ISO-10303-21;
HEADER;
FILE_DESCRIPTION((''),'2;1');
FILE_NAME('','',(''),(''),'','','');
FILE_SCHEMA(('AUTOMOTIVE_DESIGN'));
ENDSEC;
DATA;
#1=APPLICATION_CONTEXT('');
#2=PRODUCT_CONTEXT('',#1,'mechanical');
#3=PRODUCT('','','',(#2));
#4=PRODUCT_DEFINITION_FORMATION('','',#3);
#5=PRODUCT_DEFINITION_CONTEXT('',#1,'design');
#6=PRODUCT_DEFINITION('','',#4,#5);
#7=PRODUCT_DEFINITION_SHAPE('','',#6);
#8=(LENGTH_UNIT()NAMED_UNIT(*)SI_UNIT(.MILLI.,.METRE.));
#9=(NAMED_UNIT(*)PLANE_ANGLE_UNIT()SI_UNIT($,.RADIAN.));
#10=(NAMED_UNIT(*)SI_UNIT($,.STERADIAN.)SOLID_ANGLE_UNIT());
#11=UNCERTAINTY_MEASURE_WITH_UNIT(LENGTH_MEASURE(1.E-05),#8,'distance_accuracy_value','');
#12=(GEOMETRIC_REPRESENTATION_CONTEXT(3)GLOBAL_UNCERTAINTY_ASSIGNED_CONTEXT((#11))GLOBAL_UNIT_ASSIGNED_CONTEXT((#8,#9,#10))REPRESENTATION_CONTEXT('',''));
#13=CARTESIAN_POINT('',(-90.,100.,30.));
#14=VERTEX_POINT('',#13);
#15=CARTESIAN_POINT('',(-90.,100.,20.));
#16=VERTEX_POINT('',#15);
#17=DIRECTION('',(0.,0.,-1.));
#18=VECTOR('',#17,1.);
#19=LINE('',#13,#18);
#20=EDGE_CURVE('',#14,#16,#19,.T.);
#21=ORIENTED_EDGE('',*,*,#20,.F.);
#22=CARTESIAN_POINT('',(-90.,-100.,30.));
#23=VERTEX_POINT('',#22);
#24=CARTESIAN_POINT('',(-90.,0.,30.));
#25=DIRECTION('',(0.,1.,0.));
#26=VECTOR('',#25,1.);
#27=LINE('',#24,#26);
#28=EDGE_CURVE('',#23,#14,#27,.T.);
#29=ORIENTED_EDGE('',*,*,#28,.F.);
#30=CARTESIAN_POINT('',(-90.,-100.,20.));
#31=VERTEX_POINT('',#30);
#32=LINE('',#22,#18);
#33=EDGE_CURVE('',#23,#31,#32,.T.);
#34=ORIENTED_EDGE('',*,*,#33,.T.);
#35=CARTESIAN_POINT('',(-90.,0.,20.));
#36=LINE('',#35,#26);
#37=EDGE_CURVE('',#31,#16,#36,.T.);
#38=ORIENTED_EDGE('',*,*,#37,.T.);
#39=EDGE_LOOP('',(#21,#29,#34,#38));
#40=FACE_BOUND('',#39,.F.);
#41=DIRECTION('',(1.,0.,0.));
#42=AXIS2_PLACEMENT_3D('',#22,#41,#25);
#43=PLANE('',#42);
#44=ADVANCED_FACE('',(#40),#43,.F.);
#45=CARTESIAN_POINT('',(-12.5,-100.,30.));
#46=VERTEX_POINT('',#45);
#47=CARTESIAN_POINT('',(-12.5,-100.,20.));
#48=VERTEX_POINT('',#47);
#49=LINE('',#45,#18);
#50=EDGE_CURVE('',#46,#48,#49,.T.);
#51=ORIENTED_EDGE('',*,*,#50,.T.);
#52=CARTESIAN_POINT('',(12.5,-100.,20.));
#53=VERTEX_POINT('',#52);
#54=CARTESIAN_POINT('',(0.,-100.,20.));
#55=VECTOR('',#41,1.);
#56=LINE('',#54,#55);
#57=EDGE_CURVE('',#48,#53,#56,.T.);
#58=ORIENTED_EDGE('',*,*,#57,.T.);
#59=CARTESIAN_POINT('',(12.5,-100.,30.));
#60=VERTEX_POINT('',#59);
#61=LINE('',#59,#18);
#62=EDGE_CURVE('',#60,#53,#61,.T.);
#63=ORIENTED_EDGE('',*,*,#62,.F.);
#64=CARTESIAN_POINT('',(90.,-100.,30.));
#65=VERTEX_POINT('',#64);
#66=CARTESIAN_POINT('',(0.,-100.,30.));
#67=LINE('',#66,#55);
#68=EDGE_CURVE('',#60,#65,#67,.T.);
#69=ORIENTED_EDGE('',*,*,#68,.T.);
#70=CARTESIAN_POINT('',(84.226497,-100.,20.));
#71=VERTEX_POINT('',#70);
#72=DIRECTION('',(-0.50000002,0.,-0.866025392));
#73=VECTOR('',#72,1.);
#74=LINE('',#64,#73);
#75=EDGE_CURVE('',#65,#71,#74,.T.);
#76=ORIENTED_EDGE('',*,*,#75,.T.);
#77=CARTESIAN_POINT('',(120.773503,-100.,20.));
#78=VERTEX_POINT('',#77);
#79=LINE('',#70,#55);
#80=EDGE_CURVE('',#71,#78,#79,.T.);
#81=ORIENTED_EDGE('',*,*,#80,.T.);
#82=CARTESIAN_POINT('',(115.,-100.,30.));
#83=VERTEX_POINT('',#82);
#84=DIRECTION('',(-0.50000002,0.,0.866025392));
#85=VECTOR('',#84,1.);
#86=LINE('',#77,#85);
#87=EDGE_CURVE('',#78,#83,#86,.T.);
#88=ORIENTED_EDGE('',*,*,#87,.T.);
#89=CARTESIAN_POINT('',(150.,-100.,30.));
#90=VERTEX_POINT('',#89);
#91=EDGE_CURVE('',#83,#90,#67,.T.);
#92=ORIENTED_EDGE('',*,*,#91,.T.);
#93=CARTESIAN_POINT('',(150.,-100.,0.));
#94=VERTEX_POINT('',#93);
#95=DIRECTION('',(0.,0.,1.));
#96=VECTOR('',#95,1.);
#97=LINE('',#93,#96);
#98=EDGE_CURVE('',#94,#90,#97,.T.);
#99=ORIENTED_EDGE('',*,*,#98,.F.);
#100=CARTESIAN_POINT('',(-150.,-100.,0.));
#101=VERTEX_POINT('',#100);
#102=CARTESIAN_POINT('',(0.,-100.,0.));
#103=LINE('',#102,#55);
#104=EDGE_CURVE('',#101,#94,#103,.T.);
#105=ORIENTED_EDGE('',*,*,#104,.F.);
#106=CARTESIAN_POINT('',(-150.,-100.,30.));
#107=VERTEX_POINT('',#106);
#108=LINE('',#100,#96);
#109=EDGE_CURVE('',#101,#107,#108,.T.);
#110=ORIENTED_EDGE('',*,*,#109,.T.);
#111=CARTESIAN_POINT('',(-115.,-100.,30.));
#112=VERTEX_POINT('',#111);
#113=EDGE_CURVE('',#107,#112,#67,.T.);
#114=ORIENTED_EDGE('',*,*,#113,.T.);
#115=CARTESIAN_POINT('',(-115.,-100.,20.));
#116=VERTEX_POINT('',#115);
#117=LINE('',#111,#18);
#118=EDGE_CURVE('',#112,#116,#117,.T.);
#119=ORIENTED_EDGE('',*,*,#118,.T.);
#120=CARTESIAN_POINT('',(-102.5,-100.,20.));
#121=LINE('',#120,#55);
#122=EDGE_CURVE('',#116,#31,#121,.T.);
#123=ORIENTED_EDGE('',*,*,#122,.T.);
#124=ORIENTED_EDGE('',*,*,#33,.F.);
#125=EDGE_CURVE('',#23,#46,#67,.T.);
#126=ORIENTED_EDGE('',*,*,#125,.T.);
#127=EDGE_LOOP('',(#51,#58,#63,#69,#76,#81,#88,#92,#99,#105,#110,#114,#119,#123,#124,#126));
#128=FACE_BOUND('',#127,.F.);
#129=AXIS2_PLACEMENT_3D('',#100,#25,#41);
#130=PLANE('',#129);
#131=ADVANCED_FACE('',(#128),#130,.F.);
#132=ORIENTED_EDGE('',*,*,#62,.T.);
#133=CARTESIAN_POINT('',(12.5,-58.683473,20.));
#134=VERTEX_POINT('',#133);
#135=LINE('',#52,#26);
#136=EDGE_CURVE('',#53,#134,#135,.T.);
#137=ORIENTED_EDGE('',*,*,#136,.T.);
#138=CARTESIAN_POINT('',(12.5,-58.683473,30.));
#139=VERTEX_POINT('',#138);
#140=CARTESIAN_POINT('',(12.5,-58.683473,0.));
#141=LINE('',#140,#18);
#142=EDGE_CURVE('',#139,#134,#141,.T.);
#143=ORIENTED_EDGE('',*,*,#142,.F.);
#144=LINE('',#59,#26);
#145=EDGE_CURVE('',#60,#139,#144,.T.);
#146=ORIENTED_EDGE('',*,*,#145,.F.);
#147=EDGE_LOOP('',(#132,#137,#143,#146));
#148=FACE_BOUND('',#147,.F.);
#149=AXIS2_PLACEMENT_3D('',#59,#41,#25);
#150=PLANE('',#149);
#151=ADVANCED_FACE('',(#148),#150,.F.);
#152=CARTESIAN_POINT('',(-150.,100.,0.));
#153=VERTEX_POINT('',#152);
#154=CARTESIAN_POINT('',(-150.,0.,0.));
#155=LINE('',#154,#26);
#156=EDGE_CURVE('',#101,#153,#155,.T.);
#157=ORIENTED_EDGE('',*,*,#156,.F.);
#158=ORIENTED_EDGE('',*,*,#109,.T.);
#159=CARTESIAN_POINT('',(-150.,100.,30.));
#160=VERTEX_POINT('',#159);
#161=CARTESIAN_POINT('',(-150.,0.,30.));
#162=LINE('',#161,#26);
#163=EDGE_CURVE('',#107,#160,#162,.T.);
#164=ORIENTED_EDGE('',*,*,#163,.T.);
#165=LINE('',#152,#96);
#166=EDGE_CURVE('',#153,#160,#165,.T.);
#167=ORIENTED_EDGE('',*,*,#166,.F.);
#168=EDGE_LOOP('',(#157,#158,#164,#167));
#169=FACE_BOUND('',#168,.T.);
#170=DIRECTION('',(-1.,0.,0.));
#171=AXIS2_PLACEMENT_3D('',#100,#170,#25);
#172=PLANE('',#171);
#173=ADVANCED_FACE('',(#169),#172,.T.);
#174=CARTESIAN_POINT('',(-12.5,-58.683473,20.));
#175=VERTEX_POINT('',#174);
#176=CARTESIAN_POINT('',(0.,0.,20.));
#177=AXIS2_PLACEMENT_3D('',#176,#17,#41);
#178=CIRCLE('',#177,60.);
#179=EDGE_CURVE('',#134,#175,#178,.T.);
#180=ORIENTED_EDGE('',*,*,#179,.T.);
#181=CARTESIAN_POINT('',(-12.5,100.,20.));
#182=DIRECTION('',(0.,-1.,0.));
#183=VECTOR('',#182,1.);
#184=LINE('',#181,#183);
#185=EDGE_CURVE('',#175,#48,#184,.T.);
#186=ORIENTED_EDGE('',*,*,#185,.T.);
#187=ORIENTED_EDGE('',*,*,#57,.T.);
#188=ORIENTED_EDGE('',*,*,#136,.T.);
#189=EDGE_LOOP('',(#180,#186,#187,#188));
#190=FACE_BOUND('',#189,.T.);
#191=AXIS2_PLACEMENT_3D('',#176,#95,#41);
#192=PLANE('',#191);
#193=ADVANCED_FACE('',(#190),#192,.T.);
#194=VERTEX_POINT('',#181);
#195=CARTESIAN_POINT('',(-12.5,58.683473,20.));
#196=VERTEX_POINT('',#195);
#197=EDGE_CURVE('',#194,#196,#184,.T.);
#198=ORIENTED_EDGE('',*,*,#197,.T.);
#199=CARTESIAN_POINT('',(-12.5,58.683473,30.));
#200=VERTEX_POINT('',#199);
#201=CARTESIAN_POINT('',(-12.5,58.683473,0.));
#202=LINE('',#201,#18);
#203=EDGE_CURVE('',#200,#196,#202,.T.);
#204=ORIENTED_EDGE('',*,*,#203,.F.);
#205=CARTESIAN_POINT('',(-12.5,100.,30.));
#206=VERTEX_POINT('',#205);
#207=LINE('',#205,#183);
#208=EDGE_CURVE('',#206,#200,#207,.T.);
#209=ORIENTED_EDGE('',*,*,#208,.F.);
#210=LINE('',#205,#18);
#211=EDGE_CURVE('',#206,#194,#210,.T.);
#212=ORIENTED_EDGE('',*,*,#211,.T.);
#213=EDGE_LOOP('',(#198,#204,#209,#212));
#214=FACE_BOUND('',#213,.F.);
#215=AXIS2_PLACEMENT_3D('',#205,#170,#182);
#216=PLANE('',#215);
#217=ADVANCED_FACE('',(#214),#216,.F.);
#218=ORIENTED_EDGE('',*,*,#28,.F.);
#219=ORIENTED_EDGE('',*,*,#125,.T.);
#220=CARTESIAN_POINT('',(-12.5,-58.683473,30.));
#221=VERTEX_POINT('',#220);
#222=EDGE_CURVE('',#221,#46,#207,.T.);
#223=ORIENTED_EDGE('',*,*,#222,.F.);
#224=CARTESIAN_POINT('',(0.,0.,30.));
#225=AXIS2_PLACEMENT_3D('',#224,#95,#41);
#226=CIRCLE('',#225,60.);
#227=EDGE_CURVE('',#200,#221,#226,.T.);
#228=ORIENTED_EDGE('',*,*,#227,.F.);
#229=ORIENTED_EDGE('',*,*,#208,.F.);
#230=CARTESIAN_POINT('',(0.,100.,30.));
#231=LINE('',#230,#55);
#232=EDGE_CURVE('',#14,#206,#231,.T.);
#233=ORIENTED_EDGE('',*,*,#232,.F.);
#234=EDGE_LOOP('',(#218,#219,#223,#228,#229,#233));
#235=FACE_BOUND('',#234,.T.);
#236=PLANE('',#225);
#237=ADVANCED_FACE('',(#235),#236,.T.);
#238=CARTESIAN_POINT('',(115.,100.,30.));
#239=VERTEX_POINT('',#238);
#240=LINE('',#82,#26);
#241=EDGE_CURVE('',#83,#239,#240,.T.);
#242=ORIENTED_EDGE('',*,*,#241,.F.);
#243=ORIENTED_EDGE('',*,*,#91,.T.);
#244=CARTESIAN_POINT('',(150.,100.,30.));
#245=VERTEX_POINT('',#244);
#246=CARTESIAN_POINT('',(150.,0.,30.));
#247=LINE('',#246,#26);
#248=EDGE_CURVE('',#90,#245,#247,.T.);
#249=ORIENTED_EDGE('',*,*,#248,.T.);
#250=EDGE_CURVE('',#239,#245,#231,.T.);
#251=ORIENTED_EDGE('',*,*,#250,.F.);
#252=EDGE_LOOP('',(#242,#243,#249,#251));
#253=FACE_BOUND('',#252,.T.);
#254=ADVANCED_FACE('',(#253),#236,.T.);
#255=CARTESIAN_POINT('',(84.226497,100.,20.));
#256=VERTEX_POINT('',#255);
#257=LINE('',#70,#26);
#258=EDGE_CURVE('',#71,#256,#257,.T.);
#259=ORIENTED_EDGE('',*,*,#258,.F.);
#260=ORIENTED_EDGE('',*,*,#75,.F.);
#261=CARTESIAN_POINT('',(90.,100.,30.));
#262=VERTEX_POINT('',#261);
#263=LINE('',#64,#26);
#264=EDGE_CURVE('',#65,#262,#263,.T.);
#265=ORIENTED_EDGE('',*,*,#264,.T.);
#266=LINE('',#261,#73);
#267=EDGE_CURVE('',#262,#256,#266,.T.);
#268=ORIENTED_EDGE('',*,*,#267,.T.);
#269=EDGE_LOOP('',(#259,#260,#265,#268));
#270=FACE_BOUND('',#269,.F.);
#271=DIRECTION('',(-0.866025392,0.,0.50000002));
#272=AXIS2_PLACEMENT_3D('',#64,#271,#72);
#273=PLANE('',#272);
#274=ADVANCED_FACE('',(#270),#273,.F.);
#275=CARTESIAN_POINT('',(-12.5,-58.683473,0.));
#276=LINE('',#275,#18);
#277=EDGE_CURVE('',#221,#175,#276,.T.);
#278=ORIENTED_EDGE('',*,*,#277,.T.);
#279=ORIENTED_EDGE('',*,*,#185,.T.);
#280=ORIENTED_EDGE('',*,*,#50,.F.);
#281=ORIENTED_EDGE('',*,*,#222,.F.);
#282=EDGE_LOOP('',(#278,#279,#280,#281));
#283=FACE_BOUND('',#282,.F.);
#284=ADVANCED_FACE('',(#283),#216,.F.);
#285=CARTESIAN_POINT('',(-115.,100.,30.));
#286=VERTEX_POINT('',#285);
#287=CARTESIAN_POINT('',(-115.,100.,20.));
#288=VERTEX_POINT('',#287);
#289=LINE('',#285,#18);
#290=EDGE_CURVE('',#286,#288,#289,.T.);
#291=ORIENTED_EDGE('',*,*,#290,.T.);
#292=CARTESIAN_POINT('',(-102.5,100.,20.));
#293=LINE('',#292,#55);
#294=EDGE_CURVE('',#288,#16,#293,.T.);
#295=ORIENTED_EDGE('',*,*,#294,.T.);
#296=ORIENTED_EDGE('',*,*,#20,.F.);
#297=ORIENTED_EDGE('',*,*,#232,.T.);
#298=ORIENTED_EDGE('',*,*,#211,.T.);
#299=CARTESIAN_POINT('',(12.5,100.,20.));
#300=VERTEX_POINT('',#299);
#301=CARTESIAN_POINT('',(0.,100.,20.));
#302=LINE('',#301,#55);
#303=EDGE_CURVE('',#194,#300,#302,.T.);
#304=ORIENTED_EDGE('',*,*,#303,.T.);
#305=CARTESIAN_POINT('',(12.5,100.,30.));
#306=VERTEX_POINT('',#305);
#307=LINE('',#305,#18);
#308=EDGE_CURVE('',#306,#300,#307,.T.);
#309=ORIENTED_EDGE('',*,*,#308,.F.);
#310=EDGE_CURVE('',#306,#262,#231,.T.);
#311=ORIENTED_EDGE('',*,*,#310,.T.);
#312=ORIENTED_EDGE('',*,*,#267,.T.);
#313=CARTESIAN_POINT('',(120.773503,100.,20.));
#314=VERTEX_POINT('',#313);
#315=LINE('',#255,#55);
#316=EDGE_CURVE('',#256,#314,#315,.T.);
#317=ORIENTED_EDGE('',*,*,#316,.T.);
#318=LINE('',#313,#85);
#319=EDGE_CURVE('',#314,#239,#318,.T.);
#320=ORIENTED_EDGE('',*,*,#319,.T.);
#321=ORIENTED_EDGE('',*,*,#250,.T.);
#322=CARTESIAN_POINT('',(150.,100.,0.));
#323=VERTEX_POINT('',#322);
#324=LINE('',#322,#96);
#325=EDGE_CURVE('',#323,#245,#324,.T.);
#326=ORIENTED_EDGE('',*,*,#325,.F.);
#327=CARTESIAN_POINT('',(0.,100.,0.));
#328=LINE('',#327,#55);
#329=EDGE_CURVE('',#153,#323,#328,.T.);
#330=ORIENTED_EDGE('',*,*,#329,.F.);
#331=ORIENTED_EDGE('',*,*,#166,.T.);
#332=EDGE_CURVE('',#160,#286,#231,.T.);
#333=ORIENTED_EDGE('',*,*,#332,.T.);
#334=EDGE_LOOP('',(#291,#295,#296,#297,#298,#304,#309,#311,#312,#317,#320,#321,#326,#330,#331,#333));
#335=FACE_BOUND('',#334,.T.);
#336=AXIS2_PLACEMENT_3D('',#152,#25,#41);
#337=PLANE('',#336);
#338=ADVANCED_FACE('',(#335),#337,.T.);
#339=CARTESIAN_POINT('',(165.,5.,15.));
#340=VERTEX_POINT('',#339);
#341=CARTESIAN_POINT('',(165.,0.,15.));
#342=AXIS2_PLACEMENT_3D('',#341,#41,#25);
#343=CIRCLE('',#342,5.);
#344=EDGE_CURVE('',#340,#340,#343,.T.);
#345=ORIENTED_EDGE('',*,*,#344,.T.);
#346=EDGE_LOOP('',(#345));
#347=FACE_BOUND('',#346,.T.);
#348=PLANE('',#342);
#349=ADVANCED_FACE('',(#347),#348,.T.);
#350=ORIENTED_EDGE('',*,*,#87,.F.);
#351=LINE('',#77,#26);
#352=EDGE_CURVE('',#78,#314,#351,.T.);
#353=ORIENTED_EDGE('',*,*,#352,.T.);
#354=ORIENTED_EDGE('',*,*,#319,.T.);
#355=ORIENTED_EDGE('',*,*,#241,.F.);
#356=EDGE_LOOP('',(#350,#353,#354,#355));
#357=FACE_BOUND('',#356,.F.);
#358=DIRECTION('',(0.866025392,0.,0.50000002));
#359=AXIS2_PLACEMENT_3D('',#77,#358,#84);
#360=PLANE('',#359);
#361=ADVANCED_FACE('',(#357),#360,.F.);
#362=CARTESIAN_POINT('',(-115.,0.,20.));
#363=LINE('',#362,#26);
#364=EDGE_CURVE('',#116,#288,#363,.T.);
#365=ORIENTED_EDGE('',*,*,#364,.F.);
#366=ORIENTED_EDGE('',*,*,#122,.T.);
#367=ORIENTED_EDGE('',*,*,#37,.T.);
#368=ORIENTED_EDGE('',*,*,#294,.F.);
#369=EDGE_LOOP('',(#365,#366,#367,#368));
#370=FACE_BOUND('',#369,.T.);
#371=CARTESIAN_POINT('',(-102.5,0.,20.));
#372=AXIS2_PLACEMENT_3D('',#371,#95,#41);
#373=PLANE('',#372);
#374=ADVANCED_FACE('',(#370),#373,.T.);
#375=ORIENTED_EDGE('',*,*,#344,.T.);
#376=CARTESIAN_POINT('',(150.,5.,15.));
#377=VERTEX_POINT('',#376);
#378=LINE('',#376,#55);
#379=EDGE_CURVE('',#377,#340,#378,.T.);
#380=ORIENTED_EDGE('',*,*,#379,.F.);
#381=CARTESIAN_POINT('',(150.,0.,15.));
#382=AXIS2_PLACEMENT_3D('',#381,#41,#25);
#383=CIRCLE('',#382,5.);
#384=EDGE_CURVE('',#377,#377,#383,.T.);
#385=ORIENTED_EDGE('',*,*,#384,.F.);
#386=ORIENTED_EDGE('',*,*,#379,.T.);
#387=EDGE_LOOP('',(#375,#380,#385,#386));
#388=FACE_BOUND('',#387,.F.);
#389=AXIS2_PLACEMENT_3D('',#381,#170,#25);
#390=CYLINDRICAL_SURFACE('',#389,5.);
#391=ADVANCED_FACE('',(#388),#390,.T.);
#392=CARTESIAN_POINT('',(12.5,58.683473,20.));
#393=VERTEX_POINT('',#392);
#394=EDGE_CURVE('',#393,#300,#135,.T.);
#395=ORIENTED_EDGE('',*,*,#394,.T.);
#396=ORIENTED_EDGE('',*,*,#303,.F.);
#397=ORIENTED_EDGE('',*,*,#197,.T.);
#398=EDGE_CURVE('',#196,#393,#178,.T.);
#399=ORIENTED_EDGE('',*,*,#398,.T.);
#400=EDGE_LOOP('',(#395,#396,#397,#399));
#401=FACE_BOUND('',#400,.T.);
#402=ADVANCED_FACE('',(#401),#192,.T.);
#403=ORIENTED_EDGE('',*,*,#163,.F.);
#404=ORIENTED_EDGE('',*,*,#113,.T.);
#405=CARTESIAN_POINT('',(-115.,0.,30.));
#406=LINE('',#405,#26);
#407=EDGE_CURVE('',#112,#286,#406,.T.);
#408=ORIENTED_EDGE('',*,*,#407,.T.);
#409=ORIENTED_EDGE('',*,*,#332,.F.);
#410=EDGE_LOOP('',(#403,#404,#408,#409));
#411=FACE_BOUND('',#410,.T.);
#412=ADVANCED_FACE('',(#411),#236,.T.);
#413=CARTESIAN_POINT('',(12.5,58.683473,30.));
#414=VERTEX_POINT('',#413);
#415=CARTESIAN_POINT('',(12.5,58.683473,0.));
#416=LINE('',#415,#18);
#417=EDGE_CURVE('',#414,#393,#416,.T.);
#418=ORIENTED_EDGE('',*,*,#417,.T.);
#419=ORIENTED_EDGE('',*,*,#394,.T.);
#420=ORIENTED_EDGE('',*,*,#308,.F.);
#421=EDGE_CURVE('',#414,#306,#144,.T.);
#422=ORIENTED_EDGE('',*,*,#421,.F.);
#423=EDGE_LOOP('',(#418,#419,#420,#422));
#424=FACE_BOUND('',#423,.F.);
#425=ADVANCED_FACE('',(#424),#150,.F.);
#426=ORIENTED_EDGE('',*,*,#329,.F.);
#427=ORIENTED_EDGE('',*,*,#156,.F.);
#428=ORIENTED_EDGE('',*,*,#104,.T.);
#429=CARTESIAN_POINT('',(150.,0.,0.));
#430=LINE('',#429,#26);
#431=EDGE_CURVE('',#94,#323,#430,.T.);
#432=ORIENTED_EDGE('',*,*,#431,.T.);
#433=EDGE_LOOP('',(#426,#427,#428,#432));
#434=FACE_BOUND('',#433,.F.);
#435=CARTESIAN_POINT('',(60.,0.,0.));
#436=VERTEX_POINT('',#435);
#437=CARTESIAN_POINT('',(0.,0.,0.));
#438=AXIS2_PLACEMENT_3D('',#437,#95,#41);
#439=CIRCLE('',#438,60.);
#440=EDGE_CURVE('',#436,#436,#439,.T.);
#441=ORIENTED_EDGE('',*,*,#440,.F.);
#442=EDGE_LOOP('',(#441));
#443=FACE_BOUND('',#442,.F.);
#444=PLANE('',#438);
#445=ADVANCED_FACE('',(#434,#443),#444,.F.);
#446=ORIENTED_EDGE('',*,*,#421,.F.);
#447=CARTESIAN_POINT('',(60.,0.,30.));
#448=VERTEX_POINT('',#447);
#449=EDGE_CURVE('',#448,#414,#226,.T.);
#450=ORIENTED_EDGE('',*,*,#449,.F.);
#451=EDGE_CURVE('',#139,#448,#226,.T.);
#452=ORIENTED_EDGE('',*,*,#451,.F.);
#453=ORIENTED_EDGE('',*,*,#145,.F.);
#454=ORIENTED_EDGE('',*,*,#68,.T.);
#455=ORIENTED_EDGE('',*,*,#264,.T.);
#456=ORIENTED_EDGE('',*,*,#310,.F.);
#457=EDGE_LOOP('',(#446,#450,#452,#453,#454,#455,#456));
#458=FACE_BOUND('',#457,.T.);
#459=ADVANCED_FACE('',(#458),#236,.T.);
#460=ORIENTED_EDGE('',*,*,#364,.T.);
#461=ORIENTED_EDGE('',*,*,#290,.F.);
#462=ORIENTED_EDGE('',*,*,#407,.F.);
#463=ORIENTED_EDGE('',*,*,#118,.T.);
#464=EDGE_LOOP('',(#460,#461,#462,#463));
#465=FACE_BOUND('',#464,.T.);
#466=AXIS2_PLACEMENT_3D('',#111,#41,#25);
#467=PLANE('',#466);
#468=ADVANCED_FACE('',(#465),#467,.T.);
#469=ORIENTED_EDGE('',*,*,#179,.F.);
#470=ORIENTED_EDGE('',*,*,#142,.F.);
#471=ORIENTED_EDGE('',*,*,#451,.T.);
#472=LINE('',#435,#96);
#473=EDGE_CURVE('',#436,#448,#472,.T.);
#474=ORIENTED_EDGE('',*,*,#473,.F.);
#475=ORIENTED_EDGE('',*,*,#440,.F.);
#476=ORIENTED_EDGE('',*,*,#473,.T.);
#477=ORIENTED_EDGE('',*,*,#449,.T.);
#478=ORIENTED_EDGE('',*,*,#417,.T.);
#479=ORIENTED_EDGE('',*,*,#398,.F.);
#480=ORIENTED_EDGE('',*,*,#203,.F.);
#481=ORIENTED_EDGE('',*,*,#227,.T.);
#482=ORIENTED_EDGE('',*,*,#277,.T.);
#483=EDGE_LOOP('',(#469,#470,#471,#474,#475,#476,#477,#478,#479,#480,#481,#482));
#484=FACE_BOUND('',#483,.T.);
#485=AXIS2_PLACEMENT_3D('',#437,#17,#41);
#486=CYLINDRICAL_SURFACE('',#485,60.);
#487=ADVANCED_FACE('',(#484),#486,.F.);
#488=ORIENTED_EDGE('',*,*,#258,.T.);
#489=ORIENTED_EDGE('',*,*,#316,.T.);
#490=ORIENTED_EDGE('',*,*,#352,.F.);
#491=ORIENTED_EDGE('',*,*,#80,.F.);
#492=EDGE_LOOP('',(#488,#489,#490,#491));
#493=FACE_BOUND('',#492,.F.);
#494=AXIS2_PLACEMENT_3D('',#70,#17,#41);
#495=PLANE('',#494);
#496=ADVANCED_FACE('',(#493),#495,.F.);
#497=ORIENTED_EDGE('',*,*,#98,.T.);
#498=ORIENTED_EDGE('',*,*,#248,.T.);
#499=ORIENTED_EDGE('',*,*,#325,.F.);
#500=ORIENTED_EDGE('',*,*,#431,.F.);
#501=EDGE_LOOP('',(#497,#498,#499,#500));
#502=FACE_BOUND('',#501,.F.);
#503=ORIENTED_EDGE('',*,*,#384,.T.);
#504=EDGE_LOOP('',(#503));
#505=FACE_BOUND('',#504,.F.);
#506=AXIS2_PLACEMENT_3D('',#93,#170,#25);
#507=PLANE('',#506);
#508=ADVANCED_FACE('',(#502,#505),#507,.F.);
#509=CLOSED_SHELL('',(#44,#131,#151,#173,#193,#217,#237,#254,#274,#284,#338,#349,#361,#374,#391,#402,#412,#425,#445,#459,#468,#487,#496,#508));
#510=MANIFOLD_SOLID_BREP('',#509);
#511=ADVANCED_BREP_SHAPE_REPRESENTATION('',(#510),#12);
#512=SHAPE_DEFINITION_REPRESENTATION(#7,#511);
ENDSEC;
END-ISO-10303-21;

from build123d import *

# Parameters (mm, degrees)
F0_W     = 300
F0_H     = 200
F0_R     = 60
F1_DEPTH = 30
F2_W     = 25
F2_H     = 200
F3_DEPTH = 10
F5_DEPTH = 200
F6_R     = 5
F7_DEPTH = 15


with BuildPart() as f1:
    # F0 (on Top) → F1 (new body)
    with BuildSketch(Plane.XY):
        Rectangle(F0_W, F0_H)
        Circle(F0_R, mode=Mode.SUBTRACT)
    extrude(amount=F1_DEPTH)

    # F2 (on face) → F3 (cut)
    with BuildSketch(Plane.XY.offset(30)):
        with Locations((-102.5, 0)):
            Rectangle(F2_W, F2_H)
        Rectangle(F2_W, F2_H)
        with BuildLine():
            Line((-12.5, -58.683473), (-12.5, -100))
            Line((-12.5, -100), (12.5, -100))
            Line((12.5, -100), (12.5, -58.683473))
            ThreePointArc((12.5, -58.683473), (0, -60), (-12.5, -58.683473))
        make_face()
        with BuildLine():
            Line((12.5, 100), (-12.5, 100))
            Line((-12.5, 100), (-12.5, 58.683473))
            ThreePointArc((-12.5, 58.683473), (0, 60), (12.5, 58.683473))
            Line((12.5, 58.683473), (12.5, 100))
        make_face()
    extrude(amount=-F3_DEPTH, mode=Mode.SUBTRACT)

    # F4 (on face) → F5 (cut, through all)
    with BuildSketch(Plane.XZ.offset(100)):
        Polygon((115, 30), (90, 30), (84.226497, 20), (120.773503, 20), align=None)
    extrude(amount=-F5_DEPTH, mode=Mode.SUBTRACT)

    # F6 (on face) → F7 (join)
    with BuildSketch(Plane.YZ.offset(150)):
        with Locations((0, 15)):
            Circle(F6_R)
    extrude(amount=F7_DEPTH)


solid = f1.part
